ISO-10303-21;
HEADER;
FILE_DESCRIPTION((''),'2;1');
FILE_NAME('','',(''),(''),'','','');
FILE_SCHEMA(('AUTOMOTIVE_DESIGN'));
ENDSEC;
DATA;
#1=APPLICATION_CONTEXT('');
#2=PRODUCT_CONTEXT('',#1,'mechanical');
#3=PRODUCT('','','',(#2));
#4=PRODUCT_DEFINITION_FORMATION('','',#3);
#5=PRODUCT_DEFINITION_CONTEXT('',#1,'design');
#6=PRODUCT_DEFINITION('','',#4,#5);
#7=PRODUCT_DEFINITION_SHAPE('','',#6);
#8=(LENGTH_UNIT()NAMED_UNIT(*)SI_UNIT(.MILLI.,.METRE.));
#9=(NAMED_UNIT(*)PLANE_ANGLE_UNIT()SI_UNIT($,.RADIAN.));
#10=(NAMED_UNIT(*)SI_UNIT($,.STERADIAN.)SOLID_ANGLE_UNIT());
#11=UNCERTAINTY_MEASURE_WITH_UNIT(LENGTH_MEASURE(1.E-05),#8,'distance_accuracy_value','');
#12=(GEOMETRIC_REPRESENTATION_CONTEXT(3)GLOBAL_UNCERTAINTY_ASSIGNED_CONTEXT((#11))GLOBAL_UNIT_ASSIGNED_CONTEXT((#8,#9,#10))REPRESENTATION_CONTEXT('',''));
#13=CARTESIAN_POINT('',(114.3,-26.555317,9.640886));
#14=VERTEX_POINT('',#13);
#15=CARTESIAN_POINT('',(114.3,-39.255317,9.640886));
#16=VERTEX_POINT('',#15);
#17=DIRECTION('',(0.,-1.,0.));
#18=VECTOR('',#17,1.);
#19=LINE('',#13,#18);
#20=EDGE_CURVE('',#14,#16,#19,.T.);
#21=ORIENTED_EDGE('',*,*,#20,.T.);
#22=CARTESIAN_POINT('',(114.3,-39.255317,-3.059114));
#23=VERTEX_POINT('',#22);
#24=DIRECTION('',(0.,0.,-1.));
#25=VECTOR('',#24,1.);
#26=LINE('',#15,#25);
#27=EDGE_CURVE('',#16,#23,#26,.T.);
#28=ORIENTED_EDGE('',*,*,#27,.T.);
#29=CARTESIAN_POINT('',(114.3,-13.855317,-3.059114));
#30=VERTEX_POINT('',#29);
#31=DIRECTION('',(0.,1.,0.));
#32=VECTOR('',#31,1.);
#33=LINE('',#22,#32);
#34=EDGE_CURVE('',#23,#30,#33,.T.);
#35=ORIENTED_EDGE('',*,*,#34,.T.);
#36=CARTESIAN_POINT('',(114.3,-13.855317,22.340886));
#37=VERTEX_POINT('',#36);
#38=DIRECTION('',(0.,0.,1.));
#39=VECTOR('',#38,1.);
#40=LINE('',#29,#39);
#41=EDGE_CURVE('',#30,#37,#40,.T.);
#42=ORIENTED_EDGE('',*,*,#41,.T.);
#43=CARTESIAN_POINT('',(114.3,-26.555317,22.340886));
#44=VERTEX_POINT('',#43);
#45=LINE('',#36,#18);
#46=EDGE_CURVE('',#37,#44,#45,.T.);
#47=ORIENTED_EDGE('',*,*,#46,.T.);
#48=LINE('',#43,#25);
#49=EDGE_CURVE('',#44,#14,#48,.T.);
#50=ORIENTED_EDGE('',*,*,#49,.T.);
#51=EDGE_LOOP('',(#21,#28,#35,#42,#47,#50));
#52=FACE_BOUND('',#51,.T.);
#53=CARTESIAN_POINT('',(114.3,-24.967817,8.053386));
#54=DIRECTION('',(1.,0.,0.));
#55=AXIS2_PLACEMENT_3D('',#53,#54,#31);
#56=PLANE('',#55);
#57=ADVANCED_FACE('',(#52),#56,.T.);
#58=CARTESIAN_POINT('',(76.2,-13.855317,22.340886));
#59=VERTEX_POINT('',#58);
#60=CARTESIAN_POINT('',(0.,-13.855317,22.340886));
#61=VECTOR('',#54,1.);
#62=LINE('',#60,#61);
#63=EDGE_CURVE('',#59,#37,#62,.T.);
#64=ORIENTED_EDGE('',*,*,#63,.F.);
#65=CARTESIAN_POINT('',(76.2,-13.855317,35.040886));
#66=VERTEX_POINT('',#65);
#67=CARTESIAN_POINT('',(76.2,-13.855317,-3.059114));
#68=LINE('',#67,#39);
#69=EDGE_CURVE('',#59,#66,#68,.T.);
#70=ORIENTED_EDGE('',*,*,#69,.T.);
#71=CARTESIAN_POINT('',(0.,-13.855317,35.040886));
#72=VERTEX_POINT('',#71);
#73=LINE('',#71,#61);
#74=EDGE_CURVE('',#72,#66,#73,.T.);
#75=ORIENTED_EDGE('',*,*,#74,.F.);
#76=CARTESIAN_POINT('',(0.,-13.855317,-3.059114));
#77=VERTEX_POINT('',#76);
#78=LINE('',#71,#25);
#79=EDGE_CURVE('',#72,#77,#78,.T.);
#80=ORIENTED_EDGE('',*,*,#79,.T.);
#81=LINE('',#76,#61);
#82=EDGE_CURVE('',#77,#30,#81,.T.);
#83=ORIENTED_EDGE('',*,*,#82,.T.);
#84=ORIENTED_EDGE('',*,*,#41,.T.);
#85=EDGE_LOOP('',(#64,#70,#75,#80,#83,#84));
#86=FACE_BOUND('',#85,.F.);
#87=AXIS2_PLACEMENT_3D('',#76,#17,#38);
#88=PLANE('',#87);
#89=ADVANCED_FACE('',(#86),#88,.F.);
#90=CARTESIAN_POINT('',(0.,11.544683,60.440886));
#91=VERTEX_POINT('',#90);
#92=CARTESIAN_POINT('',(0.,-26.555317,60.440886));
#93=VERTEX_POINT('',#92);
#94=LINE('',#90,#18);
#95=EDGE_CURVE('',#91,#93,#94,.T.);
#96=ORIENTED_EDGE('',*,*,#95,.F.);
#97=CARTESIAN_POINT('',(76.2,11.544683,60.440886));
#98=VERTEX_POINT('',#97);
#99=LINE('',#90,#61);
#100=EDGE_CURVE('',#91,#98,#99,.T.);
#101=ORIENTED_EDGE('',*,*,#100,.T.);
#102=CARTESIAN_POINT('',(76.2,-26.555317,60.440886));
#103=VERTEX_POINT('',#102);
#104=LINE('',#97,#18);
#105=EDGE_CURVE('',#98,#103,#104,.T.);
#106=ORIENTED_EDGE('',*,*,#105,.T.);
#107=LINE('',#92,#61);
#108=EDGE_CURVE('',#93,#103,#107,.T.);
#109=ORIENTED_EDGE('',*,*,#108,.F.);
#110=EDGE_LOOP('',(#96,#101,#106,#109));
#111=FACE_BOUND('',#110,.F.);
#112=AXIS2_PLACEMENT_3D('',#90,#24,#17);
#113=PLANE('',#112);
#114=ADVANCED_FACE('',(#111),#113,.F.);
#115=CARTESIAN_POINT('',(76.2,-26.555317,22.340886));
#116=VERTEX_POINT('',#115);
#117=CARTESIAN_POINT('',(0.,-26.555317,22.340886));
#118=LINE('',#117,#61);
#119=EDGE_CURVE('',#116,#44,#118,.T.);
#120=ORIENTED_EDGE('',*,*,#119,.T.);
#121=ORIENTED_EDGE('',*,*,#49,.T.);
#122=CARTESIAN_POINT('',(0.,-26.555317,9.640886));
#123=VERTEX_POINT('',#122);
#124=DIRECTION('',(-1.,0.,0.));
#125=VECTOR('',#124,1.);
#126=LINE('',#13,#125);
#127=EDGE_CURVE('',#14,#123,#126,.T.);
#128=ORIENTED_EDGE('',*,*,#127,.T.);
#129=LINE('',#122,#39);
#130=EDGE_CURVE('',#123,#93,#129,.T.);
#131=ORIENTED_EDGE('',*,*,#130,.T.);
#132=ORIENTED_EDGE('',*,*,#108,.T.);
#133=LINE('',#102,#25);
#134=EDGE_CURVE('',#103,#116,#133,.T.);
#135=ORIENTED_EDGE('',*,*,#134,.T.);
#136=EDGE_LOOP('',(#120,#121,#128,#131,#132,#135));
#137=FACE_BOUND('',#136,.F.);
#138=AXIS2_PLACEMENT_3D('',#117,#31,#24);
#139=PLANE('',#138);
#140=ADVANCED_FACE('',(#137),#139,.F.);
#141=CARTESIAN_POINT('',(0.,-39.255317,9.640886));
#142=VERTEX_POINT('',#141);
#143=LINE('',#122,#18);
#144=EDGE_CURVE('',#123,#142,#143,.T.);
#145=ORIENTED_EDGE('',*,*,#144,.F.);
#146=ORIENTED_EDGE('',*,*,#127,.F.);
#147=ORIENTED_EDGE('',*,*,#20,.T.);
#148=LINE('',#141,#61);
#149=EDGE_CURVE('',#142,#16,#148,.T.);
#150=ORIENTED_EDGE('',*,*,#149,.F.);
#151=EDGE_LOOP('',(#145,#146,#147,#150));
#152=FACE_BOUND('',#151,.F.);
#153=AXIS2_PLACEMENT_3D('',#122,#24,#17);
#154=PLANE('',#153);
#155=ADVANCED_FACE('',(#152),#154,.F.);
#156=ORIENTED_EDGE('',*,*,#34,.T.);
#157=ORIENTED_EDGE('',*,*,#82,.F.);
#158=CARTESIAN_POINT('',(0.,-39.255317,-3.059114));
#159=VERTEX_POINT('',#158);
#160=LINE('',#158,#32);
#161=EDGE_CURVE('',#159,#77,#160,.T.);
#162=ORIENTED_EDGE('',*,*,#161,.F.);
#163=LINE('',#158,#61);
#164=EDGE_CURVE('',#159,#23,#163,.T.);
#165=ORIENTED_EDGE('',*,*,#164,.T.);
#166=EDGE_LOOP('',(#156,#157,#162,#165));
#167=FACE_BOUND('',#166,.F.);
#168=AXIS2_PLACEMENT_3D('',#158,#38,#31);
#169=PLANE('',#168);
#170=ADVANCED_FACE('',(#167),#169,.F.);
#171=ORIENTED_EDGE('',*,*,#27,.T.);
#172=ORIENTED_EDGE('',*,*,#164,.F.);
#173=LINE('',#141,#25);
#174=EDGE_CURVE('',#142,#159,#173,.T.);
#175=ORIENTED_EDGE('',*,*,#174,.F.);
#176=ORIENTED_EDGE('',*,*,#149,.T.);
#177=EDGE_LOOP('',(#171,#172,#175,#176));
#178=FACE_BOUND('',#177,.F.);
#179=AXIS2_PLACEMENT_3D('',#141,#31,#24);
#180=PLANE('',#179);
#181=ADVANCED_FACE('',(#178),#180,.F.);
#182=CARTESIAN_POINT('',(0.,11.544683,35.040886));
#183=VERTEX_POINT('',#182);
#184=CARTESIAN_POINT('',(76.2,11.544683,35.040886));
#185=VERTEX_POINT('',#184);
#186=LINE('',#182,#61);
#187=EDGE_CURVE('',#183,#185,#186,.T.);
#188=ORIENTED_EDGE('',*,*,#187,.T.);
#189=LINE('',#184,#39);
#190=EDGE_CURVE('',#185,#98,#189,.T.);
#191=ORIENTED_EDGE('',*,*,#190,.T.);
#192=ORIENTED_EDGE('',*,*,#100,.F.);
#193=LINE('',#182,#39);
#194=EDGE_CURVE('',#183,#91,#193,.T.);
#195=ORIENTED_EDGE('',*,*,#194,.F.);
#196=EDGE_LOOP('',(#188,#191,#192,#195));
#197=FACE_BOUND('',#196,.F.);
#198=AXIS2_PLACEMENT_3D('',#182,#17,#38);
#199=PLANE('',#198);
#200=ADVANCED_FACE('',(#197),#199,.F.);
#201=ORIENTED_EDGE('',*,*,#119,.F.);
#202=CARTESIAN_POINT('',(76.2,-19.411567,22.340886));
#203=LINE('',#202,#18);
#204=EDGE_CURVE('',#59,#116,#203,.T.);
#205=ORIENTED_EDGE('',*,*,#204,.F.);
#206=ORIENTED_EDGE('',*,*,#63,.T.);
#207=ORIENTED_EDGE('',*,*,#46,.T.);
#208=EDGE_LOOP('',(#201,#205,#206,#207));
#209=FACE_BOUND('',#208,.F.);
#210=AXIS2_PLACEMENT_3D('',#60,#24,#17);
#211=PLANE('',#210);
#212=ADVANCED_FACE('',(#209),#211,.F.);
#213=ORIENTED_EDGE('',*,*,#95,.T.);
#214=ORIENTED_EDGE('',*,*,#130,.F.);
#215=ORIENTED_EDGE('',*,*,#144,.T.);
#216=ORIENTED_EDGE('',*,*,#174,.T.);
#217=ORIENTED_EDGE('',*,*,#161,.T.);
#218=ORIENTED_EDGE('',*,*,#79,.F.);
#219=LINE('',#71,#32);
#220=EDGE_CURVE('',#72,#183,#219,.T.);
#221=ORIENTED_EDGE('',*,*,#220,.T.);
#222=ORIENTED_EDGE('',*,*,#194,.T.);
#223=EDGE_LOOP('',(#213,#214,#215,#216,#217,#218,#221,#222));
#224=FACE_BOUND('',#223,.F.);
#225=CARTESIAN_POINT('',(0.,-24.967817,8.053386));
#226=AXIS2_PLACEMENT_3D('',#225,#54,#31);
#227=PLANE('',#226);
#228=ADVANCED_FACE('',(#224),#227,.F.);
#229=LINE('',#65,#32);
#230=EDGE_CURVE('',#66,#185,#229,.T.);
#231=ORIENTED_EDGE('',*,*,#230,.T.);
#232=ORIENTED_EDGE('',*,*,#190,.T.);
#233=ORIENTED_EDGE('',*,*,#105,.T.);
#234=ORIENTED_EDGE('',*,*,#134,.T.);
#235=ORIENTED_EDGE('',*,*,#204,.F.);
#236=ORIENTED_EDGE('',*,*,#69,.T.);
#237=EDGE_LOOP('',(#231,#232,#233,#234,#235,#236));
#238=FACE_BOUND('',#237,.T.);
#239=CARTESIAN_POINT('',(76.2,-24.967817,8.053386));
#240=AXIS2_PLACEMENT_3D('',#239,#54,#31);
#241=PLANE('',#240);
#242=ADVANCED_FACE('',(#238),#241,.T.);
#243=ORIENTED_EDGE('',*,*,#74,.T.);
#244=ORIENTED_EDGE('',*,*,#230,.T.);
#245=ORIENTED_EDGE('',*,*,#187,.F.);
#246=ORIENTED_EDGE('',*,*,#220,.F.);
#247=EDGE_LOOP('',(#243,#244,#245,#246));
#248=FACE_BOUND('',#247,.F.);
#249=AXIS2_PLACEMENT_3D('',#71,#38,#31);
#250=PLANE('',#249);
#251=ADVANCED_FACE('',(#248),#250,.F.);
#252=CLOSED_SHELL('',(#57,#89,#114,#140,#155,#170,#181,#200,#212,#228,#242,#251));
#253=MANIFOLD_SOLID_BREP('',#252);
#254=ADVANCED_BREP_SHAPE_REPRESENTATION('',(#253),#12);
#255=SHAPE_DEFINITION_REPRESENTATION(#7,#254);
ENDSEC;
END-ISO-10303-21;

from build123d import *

# Parameters (mm, degrees)
F1_DEPTH = 114.3
F2_DEPTH = 76.2


with BuildPart() as f1:
    # F0 (on Right) → F1 (new body)
    with BuildSketch(Plane.YZ):
        Polygon((-26.555317, 9.640886), (-39.255317, 9.640886), (-39.255317, -3.059114), (-13.855317, -3.059114), (-13.855317, 22.340886), (-26.555317, 22.340886), align=None)
    extrude(amount=F1_DEPTH)

    # F0 (on Right) → F2 (join)
    with BuildSketch(Plane.YZ):
        Polygon((-26.555317, 9.640886), (-39.255317, 9.640886), (-39.255317, -3.059114), (-13.855317, -3.059114), (-13.855317, 22.340886), (-26.555317, 22.340886), align=None)
        Polygon((-26.555317, 60.440886), (-26.555317, 22.340886), (-13.855317, 22.340886), (-13.855317, 35.040886), (11.544683, 35.040886), (11.544683, 60.440886), align=None)
    extrude(amount=F2_DEPTH)


solid = f1.part
